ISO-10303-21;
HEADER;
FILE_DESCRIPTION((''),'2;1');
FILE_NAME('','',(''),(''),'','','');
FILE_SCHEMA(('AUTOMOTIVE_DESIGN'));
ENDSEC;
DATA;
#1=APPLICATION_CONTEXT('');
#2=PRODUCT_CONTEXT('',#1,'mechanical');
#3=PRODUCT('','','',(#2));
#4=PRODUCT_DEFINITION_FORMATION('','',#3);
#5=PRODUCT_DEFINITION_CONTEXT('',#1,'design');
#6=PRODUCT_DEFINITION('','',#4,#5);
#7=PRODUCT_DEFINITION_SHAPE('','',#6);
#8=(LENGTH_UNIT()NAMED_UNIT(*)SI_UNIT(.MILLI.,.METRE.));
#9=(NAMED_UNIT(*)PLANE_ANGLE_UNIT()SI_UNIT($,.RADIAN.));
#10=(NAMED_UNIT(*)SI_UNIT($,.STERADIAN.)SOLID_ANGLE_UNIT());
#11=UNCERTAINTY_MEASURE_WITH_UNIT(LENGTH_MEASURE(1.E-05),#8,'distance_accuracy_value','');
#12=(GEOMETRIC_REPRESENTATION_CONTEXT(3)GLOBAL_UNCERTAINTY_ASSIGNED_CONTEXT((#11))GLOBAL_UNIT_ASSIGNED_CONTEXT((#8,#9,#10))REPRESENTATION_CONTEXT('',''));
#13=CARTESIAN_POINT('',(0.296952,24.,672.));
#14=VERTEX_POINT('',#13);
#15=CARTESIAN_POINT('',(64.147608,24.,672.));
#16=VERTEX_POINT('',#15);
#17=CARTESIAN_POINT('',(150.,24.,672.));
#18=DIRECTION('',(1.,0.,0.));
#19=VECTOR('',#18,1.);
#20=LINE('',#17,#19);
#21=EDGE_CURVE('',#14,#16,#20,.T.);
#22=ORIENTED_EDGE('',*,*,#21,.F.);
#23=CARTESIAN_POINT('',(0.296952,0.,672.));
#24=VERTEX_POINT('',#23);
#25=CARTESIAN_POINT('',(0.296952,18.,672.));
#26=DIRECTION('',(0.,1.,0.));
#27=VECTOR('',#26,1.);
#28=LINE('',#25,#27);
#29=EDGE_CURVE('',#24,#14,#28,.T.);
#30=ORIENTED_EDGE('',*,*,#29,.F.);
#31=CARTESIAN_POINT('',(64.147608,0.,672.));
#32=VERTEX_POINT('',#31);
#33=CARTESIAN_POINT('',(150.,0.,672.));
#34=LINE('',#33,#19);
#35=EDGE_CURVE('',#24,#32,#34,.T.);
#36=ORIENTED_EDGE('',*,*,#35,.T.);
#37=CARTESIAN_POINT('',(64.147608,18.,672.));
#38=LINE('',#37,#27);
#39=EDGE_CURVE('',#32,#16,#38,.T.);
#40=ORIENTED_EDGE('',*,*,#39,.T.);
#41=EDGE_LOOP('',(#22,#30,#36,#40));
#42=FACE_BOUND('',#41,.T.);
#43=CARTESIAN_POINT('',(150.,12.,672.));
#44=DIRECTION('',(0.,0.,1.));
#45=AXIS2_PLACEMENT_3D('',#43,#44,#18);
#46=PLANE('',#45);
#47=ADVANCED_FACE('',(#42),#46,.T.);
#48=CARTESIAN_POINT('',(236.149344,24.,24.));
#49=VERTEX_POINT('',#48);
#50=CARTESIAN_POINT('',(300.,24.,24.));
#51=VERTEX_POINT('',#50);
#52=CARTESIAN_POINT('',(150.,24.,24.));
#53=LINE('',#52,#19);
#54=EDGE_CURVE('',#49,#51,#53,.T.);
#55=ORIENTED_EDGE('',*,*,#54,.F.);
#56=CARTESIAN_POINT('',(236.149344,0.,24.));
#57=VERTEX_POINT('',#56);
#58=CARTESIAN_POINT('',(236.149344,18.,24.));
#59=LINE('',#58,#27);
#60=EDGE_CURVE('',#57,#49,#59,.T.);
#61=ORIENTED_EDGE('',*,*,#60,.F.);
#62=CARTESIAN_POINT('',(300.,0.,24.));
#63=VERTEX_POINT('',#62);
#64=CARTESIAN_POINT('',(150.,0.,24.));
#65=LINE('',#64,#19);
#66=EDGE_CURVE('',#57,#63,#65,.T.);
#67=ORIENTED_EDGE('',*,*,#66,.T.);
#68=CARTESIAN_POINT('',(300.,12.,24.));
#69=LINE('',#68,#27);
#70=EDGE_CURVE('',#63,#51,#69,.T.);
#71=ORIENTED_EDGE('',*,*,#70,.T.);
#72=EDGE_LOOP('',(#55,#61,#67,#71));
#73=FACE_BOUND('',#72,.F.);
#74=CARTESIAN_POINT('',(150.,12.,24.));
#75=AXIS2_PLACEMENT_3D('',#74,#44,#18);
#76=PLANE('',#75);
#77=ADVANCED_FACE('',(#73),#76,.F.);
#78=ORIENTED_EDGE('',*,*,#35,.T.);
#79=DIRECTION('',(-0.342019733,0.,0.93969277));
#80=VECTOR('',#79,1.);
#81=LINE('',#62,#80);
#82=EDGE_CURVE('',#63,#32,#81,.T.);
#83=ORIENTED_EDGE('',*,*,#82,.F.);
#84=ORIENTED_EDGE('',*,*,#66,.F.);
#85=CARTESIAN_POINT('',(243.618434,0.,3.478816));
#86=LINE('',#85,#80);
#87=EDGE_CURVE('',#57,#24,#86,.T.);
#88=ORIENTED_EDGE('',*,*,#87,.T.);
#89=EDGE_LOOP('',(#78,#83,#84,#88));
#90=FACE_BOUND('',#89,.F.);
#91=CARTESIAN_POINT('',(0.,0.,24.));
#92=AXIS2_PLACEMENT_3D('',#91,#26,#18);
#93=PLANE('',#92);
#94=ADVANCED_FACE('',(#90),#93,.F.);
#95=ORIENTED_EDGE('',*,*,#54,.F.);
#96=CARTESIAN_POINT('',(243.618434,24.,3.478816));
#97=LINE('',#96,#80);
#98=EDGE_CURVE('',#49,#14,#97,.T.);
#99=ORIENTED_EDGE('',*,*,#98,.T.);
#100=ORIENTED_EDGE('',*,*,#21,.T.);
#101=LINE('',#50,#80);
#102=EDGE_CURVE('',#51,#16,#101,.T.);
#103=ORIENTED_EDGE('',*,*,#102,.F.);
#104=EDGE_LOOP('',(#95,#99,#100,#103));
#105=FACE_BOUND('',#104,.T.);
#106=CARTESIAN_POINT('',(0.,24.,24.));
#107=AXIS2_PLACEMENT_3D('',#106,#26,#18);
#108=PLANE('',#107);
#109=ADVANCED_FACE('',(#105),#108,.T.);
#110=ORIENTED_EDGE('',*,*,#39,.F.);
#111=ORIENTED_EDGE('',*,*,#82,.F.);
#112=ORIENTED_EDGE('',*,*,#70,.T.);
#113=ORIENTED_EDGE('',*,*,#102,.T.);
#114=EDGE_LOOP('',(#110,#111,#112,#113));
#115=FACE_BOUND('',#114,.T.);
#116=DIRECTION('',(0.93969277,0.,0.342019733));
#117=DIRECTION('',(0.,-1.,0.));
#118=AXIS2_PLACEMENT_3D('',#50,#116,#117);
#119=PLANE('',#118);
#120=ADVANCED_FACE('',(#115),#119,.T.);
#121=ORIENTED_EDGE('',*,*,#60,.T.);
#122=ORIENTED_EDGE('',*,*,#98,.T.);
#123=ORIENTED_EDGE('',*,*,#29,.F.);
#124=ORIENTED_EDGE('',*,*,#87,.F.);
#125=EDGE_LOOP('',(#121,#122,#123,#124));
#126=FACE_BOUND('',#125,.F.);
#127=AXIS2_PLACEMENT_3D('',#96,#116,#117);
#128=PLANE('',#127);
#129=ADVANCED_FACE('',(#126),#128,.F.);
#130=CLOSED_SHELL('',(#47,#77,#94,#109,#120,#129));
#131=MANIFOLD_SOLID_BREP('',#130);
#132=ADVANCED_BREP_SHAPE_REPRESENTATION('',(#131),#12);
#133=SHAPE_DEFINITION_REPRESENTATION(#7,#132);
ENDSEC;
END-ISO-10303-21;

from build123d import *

# Parameters (mm, degrees)
BOX016_W               = 60
BOX016_H               = 24
BOX016_DEPTH           = 827
BOX016_PITCH_ANGLE     = 19.999975
BOX016_PLACEMENT_ANGLE = 180
BOX015_W               = 300
BOX015_H               = 24
BOX015_DEPTH           = 648


with BuildPart() as cube007:
    # Box016 → Box016 (new body)
    with BuildSketch(Plane.XY):
        with Locations((30, 12)):
            Rectangle(BOX016_W, BOX016_H)
    extrude(amount=BOX016_DEPTH)


with BuildPart() as cube007_1:
    # Box016 pitch: moved
    add(cube007.part.rotate(Axis((0, 0, 0), (0, 1, 0)), BOX016_PITCH_ANGLE))


with BuildPart() as cube007_2:
    # Box016 placement: moved
    add(cube007_1.part.moved(Location((300, 24, 24))).rotate(Axis((300, 24, 24), (0, 0, 1)), BOX016_PLACEMENT_ANGLE))


with BuildPart() as stand:
    # Box015 → Box015 (new body)
    with BuildSketch(Plane.XY.offset(24)):
        with Locations((150, 12)):
            Rectangle(BOX015_W, BOX015_H)
    extrude(amount=BOX015_DEPTH)

    # Common: intersect Cube007
    add(cube007_2.part, mode=Mode.INTERSECT)


solid = stand.part
